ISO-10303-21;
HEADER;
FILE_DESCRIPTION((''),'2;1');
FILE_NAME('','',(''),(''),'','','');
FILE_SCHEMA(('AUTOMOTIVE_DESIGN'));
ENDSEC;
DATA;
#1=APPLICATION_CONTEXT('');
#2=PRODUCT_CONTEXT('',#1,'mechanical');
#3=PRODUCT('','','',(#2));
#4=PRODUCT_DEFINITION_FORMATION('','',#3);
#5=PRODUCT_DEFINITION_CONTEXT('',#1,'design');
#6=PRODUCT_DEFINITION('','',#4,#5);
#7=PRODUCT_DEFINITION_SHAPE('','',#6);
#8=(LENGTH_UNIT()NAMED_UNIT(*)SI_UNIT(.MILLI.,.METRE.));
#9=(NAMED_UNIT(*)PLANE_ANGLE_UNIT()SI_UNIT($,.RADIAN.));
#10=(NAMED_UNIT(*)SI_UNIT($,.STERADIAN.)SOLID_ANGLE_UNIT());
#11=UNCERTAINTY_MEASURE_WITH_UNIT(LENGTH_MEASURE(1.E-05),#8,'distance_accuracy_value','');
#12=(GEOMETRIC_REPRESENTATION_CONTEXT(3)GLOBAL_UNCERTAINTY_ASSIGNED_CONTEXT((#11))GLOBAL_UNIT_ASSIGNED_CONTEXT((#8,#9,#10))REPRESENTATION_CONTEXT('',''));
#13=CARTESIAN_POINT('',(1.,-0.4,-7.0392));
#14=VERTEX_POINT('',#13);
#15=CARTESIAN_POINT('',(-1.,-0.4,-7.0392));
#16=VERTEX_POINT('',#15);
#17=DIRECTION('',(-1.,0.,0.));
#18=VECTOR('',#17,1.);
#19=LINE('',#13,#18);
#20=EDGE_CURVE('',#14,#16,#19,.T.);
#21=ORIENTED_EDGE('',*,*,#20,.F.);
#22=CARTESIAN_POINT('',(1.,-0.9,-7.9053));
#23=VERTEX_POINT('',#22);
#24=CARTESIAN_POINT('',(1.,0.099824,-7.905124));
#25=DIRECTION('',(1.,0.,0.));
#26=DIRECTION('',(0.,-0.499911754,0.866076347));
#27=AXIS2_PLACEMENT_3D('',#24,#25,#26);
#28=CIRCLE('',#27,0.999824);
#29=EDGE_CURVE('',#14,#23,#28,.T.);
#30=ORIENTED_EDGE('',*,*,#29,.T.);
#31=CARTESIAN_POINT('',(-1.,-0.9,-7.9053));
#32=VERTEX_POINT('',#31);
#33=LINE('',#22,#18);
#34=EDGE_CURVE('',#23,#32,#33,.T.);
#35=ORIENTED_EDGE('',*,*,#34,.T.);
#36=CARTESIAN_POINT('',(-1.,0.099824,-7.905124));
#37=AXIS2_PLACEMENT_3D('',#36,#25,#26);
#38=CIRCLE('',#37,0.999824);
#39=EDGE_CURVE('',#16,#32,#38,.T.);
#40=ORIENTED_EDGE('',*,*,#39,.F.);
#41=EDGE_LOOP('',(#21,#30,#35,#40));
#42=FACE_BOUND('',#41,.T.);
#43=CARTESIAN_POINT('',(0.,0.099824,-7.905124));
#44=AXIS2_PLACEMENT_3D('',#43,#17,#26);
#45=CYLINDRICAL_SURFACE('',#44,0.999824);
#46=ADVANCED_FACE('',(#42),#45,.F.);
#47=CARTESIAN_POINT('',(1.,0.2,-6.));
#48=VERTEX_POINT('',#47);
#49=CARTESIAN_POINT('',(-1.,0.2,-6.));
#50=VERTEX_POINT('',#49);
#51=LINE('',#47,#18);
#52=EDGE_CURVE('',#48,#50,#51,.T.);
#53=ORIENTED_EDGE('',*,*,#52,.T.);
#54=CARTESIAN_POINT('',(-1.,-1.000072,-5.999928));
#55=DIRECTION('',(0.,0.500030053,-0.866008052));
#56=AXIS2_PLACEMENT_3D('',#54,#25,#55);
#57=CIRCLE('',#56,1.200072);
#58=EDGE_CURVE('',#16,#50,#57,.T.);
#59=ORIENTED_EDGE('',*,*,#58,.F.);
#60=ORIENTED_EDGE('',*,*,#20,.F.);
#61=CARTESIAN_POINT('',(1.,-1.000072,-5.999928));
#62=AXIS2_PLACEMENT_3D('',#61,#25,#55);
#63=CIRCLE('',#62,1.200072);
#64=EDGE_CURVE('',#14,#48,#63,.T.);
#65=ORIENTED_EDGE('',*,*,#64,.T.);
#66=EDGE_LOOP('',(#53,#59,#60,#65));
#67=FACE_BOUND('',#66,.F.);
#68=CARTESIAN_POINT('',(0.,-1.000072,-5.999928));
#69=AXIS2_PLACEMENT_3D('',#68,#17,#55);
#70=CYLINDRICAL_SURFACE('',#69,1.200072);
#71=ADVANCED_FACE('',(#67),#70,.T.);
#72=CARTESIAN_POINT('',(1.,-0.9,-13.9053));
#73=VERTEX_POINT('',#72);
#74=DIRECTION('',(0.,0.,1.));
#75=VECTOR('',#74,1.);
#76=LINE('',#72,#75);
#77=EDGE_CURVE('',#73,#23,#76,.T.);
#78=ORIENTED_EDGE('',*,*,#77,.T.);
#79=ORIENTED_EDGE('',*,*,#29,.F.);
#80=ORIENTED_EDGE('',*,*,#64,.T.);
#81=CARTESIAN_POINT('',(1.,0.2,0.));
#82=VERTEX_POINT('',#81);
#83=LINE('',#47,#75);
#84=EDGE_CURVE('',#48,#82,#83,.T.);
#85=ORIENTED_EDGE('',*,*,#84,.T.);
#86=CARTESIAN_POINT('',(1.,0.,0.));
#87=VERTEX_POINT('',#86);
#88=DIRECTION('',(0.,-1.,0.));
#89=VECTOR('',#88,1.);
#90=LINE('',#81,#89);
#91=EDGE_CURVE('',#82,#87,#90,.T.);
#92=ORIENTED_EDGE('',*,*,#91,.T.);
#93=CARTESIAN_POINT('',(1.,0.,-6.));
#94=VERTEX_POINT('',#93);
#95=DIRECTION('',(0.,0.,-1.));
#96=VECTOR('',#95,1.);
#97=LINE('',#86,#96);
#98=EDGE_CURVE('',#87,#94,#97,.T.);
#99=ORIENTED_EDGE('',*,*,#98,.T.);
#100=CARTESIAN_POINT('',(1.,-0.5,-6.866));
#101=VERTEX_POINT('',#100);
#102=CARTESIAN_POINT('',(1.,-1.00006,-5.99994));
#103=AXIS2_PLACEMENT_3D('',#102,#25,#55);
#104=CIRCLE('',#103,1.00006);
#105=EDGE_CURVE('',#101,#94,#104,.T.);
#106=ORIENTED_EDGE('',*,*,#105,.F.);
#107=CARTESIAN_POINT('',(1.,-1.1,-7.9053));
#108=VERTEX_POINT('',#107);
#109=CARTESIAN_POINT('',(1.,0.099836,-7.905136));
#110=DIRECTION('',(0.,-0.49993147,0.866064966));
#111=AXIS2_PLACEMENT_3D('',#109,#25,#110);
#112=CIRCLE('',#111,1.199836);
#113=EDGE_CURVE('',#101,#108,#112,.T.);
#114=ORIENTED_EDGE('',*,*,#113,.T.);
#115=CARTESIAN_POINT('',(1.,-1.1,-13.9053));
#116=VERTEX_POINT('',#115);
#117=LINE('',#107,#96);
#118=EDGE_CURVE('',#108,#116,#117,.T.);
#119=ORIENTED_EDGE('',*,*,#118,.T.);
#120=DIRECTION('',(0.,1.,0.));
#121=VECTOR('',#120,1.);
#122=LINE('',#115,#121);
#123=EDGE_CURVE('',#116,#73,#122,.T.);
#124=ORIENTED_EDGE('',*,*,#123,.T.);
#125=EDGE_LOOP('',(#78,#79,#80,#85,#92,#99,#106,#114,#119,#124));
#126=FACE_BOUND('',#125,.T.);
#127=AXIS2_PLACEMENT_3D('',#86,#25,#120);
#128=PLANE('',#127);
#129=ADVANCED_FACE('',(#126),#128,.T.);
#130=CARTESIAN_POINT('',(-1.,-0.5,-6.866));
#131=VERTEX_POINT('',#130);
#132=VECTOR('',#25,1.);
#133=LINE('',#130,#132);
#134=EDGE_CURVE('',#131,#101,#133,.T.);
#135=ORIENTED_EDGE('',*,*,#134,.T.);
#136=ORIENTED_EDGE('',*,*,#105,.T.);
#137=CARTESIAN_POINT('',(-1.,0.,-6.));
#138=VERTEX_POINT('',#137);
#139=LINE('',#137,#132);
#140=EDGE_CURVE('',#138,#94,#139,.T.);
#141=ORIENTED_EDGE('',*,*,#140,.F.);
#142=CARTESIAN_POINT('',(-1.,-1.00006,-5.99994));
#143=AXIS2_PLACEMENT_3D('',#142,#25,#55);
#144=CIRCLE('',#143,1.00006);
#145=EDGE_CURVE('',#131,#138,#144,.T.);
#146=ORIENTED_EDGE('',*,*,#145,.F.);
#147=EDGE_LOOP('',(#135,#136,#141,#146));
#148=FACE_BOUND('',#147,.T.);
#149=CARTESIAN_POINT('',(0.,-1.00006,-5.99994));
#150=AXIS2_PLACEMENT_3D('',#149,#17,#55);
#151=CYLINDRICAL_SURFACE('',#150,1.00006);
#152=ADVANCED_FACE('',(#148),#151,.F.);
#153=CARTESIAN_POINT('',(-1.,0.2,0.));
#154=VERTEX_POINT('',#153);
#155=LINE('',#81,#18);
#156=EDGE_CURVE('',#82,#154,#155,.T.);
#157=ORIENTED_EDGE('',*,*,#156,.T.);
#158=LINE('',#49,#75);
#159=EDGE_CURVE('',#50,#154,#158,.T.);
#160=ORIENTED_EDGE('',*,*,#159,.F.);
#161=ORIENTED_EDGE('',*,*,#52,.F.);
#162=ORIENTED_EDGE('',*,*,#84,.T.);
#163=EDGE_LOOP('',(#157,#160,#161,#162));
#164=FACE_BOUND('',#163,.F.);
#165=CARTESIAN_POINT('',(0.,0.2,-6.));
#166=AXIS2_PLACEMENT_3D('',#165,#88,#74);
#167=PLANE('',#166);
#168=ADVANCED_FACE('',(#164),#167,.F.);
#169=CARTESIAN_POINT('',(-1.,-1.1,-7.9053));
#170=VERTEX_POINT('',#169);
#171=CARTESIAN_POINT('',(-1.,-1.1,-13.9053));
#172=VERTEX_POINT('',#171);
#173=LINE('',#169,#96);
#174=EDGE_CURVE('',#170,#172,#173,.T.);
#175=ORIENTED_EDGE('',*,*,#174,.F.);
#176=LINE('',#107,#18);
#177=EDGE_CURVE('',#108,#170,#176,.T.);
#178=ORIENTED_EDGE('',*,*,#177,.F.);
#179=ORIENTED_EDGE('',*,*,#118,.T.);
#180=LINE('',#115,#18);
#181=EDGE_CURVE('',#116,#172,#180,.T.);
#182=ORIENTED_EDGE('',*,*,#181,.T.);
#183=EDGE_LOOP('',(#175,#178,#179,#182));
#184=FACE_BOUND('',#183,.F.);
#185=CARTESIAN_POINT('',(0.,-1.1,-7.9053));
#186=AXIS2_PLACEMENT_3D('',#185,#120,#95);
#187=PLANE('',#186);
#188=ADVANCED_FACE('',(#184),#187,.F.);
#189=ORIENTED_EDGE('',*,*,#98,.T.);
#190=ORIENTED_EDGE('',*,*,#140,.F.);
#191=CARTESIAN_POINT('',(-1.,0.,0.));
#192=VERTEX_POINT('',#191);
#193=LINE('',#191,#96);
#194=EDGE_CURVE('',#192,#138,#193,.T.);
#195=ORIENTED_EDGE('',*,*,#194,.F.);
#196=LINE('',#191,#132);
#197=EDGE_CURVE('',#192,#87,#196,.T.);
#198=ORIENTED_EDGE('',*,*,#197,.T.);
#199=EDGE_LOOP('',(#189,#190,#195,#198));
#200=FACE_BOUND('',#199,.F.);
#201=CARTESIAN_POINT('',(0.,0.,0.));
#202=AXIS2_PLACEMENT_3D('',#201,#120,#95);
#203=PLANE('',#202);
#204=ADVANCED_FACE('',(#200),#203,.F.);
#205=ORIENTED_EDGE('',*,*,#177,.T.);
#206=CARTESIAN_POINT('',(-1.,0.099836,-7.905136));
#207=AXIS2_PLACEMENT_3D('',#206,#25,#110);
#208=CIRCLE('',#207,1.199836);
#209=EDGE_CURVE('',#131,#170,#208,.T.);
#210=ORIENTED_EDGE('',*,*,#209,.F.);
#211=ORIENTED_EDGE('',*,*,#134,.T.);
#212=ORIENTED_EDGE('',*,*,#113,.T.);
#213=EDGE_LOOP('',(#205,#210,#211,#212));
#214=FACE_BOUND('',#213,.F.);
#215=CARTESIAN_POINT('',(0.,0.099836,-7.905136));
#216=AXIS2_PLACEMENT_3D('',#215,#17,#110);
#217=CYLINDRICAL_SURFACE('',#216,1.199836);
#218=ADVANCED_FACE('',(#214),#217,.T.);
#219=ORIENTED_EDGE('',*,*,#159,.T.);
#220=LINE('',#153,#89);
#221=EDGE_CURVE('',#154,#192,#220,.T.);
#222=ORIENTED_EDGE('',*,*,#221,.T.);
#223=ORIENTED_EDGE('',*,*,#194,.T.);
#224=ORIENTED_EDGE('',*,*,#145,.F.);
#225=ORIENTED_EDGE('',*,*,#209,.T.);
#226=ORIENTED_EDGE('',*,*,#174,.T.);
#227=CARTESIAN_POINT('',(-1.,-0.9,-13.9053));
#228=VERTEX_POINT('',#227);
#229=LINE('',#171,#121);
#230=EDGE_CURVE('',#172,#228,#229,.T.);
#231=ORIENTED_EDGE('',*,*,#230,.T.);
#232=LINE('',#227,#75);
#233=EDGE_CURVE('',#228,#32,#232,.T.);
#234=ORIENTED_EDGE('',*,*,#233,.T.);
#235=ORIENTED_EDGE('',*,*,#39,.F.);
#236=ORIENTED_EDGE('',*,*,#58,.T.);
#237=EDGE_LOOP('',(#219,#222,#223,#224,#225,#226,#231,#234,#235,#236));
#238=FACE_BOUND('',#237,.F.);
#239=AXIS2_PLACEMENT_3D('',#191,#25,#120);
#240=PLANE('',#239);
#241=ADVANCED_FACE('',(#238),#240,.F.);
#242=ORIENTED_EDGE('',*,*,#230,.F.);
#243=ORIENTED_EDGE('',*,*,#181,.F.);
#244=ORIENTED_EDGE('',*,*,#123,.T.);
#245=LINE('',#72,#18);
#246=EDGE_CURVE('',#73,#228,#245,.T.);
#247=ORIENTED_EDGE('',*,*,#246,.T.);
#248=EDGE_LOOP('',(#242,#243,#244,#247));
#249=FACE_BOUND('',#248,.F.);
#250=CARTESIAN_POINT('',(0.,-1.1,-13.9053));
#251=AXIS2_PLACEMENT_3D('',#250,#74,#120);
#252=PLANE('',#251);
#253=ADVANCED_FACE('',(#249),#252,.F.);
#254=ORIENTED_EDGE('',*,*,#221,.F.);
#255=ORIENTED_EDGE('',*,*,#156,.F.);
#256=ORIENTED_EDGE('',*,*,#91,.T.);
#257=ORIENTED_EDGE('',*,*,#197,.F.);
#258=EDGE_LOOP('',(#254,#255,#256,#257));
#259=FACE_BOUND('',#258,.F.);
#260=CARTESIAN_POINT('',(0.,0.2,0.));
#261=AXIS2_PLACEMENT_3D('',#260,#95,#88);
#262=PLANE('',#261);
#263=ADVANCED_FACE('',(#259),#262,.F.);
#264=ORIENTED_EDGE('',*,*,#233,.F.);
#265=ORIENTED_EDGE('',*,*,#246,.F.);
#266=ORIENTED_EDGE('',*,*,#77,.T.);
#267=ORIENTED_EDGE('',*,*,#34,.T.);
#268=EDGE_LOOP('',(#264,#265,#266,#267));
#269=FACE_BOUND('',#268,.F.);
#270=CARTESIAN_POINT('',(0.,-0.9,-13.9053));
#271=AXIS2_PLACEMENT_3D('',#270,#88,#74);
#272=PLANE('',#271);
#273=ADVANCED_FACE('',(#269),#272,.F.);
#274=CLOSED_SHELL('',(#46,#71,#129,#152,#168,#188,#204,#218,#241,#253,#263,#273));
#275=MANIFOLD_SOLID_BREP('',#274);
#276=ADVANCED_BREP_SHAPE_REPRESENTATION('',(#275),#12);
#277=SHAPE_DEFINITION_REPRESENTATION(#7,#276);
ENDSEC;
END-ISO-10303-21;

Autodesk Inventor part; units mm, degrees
ref_plane "YZ Plane" through (0, 0, 0) normal (1, 0, 0) x (0, 1, 0)
ref_plane "XZ Plane" through (0, 0, 0) normal (0, 1, 0) x (-1, 0, 0)
ref_plane "XY Plane" through (0, 0, 0) normal (0, 0, 1) x (1, 0, 0)
sketch "Sketch1" plane through (0, 0, 0) normal (1, 0, 0) x (0, 1, 0)
  line L0 (0, 0) -> (0, -6)
  arc A0 (-0.5, -6.866) -> (0, -6) centre (-1, -6) ccw
  arc A1 (-0.5, -6.866) -> (-1.1, -7.9053) centre (0.1, -7.9053) ccw
  line L1 (-1.1, -7.9053) -> (-1.1, -13.9053)
  line L2 (-1.1, -13.9053) -> (-0.9, -13.9053)
  line L3 (-0.9, -13.9053) -> (-0.9, -7.9053)
  arc A2 (-0.4, -7.0392) -> (-0.9, -7.9053) centre (0.1, -7.9053) ccw
  arc A3 (-0.4, -7.0392) -> (0.2, -6) centre (-1, -6) ccw
  line L4 (0.2, -6) -> (0.2, 0)
  line L5 (0.2, 0) -> (0, 0)
  dimension "d0" = 0.2
  dimension "d1" = 6
  dimension "d2" = 6
  dimension "d3" = 1.1
  dimension "d4" = 1
extrude "Extrusion1" add sketch "Sketch1" along normal mid plane 2
properties part number "SolarPanel_CellJumper" material "Nickel-Copper Alloy 400"
